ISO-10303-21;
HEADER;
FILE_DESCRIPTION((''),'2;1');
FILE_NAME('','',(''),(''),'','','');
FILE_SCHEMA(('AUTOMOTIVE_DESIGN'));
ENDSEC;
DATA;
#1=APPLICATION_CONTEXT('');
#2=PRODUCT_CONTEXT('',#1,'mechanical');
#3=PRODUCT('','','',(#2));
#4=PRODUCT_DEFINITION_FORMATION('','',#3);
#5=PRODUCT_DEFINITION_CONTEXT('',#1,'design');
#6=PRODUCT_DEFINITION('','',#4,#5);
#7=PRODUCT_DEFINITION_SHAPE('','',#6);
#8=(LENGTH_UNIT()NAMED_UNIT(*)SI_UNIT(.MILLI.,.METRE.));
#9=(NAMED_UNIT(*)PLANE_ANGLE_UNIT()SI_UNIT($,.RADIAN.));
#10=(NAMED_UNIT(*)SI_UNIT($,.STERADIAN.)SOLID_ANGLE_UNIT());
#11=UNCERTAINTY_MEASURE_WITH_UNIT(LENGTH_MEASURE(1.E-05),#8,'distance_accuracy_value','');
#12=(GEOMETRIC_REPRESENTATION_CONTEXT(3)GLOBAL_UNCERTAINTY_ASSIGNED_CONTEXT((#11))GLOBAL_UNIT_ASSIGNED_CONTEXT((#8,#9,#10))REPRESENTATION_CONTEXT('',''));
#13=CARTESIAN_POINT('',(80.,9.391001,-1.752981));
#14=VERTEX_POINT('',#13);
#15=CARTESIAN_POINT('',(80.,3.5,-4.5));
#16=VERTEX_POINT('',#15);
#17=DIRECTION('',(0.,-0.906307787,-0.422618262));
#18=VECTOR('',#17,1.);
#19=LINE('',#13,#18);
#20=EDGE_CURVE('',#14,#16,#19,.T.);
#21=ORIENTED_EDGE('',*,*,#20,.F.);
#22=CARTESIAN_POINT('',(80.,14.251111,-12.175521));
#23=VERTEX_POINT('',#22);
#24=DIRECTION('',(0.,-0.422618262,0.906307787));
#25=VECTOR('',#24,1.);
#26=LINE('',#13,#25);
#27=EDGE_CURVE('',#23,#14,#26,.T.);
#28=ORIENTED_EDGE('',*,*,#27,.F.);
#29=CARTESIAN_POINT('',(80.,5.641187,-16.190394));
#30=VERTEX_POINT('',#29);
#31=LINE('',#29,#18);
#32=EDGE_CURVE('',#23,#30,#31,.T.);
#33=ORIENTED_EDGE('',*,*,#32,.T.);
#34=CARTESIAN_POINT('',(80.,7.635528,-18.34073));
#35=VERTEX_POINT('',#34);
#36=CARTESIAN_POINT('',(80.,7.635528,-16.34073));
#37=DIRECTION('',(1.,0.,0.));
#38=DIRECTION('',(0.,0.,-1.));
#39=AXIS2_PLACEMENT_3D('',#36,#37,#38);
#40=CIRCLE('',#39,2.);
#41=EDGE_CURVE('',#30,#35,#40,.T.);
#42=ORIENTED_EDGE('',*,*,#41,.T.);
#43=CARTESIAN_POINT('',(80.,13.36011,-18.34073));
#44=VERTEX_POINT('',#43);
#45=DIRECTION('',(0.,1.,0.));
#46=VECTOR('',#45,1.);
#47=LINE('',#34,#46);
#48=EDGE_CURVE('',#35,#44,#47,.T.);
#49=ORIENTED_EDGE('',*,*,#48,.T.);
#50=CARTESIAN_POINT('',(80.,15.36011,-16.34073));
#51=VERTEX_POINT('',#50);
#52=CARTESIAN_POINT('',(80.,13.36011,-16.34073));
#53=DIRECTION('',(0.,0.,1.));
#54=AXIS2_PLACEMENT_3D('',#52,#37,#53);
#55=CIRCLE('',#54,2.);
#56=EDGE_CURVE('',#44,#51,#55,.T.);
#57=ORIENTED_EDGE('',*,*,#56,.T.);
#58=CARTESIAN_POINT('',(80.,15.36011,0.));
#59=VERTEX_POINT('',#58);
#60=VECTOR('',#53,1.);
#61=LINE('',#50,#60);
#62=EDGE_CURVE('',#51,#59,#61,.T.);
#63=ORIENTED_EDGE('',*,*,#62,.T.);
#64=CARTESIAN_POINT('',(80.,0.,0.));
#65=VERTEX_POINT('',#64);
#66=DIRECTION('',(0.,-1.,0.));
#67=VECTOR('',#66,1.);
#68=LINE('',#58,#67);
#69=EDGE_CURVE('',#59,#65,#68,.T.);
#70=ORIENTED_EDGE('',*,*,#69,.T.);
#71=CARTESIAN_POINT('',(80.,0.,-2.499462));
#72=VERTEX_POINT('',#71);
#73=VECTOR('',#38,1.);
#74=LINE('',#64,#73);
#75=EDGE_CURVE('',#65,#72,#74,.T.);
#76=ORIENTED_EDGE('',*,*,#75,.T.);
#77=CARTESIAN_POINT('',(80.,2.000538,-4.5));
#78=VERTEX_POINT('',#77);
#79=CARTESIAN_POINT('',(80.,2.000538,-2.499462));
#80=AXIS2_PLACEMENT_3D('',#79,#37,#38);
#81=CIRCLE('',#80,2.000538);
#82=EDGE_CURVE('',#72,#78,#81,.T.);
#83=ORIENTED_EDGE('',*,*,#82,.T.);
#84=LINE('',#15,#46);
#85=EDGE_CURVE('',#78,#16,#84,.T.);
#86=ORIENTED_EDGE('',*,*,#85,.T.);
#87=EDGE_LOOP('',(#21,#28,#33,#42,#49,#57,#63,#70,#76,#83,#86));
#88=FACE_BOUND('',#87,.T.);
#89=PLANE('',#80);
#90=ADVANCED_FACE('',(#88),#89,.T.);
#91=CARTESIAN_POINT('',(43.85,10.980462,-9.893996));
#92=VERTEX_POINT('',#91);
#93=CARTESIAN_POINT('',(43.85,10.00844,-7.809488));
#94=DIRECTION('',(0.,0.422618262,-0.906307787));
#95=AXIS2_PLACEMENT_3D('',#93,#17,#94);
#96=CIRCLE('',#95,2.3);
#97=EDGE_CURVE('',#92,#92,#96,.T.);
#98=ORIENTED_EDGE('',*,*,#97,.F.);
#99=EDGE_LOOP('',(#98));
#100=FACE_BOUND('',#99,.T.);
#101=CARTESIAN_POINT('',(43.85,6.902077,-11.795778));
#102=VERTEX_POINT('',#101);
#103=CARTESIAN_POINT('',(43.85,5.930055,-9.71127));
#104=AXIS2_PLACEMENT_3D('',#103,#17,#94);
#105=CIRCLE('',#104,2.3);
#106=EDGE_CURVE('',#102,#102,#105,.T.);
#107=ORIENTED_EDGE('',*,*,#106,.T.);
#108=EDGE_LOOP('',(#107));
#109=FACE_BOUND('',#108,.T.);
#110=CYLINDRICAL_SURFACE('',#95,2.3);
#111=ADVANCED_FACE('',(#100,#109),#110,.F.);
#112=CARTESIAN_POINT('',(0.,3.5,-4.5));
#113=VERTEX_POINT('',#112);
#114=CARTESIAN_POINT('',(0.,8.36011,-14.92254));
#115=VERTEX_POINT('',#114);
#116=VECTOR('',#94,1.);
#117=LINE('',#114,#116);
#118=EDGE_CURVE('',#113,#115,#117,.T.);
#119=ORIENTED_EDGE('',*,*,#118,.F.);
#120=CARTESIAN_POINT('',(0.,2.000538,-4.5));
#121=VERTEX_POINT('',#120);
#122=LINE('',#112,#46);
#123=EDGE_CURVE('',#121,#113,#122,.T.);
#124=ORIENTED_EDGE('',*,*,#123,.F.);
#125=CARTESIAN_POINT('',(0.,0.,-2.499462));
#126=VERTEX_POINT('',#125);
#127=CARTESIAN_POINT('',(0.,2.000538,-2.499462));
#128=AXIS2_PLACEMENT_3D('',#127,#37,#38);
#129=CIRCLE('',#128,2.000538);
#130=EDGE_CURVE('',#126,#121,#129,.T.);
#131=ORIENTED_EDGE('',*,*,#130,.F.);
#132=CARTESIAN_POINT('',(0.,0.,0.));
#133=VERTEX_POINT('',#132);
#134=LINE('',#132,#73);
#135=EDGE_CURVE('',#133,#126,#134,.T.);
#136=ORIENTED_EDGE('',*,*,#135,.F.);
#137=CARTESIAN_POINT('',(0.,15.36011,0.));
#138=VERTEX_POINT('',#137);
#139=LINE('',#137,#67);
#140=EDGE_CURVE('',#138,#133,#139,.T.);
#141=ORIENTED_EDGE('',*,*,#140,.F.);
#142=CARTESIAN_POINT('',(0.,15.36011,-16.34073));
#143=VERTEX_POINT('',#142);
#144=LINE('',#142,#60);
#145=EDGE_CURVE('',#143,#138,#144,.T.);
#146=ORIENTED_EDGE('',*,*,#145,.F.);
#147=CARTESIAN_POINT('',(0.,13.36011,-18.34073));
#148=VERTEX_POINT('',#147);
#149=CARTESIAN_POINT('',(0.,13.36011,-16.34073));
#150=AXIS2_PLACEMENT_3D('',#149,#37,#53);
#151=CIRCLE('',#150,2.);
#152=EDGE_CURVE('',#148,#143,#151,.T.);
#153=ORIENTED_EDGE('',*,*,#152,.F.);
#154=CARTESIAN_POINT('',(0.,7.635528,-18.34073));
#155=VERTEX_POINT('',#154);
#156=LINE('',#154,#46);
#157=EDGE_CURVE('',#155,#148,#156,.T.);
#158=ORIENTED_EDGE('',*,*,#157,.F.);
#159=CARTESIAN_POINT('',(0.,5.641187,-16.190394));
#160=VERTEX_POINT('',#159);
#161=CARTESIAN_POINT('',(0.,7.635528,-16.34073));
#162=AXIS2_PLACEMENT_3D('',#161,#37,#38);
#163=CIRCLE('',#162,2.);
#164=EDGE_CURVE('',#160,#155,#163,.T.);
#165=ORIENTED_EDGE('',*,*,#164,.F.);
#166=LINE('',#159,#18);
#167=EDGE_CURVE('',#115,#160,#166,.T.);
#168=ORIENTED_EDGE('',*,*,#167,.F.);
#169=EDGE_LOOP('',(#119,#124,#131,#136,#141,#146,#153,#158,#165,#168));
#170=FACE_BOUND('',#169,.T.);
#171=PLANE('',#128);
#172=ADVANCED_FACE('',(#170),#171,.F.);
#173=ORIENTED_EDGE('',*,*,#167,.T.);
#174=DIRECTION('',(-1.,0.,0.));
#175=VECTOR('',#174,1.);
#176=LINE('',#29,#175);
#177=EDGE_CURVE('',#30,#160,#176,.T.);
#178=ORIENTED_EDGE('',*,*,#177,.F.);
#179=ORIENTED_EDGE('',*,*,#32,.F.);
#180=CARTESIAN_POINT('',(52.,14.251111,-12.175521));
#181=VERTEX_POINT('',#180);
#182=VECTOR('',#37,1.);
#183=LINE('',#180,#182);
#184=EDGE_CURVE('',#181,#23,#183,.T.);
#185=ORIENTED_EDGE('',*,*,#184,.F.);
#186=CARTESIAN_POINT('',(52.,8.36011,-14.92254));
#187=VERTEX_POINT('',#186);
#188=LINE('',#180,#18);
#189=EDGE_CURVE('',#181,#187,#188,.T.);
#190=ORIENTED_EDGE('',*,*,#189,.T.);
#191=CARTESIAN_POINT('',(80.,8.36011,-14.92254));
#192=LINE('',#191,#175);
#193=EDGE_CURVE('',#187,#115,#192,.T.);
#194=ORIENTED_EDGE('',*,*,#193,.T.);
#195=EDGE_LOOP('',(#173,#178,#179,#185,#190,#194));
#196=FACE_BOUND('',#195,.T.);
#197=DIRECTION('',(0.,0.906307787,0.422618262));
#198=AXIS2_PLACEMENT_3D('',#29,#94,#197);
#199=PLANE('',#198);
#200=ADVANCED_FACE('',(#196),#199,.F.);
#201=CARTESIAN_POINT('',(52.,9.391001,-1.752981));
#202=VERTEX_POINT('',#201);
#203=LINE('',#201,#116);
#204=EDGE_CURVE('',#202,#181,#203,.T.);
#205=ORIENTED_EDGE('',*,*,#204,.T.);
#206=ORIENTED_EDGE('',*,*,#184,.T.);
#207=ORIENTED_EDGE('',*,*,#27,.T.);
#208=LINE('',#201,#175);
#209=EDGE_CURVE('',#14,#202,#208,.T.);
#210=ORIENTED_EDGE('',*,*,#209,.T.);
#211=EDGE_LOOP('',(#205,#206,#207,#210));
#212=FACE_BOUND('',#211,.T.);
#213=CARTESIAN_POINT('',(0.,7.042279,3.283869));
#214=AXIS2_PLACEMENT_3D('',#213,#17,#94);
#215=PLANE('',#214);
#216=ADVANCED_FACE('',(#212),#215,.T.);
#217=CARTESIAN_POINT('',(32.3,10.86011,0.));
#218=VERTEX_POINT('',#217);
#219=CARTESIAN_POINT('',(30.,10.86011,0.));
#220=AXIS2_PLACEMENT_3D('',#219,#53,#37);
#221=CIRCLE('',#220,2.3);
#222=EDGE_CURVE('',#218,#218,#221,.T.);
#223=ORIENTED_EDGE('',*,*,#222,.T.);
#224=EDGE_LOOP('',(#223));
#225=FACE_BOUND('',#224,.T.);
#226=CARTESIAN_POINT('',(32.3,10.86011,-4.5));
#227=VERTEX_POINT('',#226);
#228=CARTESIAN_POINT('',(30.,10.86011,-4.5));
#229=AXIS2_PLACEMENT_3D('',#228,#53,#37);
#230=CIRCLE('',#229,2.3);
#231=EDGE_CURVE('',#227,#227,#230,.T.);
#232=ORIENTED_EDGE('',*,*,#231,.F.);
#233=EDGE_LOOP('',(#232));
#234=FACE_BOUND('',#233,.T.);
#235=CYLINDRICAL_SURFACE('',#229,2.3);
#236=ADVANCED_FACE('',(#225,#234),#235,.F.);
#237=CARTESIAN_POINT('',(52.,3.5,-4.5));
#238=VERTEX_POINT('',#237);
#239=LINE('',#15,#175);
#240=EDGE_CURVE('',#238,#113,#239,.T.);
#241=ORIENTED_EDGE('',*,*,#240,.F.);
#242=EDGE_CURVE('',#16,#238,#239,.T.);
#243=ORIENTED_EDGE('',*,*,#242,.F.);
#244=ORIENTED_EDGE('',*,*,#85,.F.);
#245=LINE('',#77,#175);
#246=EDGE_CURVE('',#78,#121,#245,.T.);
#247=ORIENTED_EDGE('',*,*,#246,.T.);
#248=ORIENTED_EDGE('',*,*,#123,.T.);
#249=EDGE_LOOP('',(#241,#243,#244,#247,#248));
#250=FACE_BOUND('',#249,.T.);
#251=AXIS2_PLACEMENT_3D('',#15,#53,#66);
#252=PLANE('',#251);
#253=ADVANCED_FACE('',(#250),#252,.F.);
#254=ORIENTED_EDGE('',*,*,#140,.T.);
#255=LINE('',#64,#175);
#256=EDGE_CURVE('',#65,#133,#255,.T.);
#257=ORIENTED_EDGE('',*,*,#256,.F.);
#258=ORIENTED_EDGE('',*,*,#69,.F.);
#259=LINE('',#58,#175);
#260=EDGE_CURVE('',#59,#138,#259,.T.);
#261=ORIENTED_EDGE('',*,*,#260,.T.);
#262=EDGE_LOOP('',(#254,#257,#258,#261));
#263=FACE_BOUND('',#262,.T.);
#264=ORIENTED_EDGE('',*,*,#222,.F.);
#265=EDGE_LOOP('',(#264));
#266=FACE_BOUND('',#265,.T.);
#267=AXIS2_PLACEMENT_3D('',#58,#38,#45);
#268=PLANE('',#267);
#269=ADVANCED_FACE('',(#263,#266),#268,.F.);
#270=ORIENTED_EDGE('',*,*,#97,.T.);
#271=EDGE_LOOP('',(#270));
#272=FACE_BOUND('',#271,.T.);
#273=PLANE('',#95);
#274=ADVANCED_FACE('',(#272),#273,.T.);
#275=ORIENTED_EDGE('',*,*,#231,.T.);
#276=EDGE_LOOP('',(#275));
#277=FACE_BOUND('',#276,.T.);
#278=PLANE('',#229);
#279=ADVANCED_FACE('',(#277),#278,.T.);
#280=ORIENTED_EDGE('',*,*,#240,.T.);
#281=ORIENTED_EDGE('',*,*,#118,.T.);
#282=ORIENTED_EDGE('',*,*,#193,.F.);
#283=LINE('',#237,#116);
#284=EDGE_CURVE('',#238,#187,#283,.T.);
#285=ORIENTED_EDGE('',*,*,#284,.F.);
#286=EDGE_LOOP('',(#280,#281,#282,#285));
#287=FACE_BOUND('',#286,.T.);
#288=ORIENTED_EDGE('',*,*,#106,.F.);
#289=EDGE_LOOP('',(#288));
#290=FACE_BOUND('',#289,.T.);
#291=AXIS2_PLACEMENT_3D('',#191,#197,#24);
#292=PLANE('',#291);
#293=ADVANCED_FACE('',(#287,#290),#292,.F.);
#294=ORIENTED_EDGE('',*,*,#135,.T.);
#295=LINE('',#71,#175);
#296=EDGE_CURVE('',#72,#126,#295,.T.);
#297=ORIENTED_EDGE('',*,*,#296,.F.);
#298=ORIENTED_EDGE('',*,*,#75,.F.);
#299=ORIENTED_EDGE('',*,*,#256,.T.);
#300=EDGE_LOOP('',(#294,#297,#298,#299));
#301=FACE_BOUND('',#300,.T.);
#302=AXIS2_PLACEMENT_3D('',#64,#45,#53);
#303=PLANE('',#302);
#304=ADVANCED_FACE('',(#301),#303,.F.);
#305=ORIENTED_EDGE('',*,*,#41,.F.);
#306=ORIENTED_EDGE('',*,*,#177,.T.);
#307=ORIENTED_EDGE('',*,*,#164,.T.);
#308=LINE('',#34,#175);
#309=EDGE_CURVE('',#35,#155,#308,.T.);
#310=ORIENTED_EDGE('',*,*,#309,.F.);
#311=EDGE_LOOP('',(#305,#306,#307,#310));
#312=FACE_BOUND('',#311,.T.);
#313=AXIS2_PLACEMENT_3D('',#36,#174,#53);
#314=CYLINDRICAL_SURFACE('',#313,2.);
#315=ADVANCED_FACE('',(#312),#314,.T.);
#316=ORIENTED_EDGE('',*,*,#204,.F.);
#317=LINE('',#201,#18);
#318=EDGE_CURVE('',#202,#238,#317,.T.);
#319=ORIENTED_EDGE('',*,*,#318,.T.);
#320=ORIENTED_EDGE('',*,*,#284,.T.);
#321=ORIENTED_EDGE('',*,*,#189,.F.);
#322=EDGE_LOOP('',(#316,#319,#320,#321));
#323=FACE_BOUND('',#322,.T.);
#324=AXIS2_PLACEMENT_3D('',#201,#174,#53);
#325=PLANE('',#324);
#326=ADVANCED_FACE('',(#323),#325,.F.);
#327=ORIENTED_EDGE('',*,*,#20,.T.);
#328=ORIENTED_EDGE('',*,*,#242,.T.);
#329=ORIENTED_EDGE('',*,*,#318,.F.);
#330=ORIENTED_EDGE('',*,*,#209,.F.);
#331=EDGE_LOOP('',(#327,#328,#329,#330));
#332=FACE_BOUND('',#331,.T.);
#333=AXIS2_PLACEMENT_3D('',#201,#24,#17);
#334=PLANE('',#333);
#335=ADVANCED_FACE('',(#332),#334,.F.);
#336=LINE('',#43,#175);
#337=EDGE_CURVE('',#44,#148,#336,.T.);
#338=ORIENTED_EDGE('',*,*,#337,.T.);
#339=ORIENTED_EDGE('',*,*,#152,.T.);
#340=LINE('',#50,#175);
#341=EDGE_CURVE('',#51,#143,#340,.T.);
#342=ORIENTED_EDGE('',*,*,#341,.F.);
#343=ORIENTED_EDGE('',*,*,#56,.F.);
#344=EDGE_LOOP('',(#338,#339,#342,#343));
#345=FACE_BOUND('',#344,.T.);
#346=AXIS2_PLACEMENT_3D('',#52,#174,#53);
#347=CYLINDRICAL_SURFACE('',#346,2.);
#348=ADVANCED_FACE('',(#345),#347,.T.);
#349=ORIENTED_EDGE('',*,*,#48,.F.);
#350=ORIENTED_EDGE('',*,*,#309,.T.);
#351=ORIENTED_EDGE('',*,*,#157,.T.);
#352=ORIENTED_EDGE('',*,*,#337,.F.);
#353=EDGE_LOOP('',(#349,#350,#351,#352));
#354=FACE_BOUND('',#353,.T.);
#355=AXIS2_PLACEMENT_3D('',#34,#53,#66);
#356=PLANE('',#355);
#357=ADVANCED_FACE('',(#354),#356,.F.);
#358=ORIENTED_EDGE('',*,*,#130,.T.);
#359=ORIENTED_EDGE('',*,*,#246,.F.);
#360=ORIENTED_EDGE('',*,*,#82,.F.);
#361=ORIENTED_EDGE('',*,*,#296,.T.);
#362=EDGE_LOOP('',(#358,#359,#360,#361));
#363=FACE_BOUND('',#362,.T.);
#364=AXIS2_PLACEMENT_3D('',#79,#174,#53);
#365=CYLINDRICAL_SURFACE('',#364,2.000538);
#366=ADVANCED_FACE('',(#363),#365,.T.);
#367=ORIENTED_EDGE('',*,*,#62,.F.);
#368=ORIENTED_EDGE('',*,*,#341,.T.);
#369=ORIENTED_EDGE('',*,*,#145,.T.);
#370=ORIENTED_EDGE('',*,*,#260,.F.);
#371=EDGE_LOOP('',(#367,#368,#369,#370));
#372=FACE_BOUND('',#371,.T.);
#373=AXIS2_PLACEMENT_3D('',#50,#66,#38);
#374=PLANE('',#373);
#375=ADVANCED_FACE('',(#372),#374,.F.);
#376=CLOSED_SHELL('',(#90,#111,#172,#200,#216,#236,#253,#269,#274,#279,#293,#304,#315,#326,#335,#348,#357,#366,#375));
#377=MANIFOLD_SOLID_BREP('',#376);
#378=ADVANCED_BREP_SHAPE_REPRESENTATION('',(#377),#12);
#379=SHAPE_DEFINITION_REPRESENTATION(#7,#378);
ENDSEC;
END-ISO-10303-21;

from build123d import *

# Parameters (mm, degrees)
PROFILEBOSS_EXTRUDE1_DEPTH           = 80
SKETCH2_R                            = 2.3
LEDSTRIPMOUNTHOLESCUT_EXTRUDE1_DEPTH = 4.5
SKETCH4_W                            = 28
SKETCH4_H                            = 11.5
POWERCONNECTORCUT_EXTRUDE4_DEPTH     = 6.5
SKETCH3_R                            = 2.3
MOUNTINGHOLESCUT_EXTRUDE3_DEPTH      = 4.5


with BuildPart() as part:
    # Sketch1 → ProfileBoss-Extrude1 (new body)
    with BuildSketch(Plane(origin=(0, 0, 0), x_dir=(0, 0, -1), z_dir=(1, 0, 0))):
        with BuildLine():
            Line((0, 0), (2.499461553, 0))
            ThreePointArc((2.499461553, 0), (3.914055855, 0.585944145), (4.5, 2.000538447))
            Line((4.5, 2.000538447), (4.5, 3.5))
            Line((4.5, 3.5), (14.922539551, 8.36011001))
            Line((14.922539551, 8.36011001), (16.190394336, 5.641186649))
            ThreePointArc((16.190394336, 5.641186649), (17.700753359, 6.16912635), (18.340729536, 7.635528477))
            Line((18.340729536, 7.635528477), (18.340729536, 13.36011001))
            ThreePointArc((18.340729536, 13.36011001), (17.754943098, 14.774323572), (16.340729536, 15.36011001))
            Line((16.340729536, 15.36011001), (0, 15.36011001))
            Line((0, 15.36011001), (0, 0))
        make_face()
    extrude(amount=PROFILEBOSS_EXTRUDE1_DEPTH)

    # Sketch2 → LedStripMountHolesCut-Extrude1 (cut)
    with BuildSketch(Plane(origin=(0, 1.15127832, 0.536849897), x_dir=(1, 0, 0), z_dir=(0, -0.906307787036651, -0.4226182617406973))):
        with Locations(Location((43.85, -11.307548958, 0), (0, 0, 270))):
            Circle(SKETCH2_R)
    extrude(amount=-LEDSTRIPMOUNTHOLESCUT_EXTRUDE1_DEPTH, mode=Mode.SUBTRACT)

    # Sketch4 → PowerConnectorCut-Extrude4 (cut)
    with BuildSketch(Plane(origin=(0, 1.15127832, 0.536849897), x_dir=(1, 0, 0), z_dir=(0, -0.906307787036651, -0.4226182617406973))):
        with Locations((66, -11.307548958)):
            Rectangle(SKETCH4_W, SKETCH4_H)
    extrude(amount=-POWERCONNECTORCUT_EXTRUDE4_DEPTH, mode=Mode.SUBTRACT)

    # Sketch3 → MountingHolesCut-Extrude3 (cut)
    with BuildSketch(Plane.XY):
        with Locations((30, 10.86011001)):
            Circle(SKETCH3_R)
    extrude(amount=-MOUNTINGHOLESCUT_EXTRUDE3_DEPTH, mode=Mode.SUBTRACT)


solid = part.part
